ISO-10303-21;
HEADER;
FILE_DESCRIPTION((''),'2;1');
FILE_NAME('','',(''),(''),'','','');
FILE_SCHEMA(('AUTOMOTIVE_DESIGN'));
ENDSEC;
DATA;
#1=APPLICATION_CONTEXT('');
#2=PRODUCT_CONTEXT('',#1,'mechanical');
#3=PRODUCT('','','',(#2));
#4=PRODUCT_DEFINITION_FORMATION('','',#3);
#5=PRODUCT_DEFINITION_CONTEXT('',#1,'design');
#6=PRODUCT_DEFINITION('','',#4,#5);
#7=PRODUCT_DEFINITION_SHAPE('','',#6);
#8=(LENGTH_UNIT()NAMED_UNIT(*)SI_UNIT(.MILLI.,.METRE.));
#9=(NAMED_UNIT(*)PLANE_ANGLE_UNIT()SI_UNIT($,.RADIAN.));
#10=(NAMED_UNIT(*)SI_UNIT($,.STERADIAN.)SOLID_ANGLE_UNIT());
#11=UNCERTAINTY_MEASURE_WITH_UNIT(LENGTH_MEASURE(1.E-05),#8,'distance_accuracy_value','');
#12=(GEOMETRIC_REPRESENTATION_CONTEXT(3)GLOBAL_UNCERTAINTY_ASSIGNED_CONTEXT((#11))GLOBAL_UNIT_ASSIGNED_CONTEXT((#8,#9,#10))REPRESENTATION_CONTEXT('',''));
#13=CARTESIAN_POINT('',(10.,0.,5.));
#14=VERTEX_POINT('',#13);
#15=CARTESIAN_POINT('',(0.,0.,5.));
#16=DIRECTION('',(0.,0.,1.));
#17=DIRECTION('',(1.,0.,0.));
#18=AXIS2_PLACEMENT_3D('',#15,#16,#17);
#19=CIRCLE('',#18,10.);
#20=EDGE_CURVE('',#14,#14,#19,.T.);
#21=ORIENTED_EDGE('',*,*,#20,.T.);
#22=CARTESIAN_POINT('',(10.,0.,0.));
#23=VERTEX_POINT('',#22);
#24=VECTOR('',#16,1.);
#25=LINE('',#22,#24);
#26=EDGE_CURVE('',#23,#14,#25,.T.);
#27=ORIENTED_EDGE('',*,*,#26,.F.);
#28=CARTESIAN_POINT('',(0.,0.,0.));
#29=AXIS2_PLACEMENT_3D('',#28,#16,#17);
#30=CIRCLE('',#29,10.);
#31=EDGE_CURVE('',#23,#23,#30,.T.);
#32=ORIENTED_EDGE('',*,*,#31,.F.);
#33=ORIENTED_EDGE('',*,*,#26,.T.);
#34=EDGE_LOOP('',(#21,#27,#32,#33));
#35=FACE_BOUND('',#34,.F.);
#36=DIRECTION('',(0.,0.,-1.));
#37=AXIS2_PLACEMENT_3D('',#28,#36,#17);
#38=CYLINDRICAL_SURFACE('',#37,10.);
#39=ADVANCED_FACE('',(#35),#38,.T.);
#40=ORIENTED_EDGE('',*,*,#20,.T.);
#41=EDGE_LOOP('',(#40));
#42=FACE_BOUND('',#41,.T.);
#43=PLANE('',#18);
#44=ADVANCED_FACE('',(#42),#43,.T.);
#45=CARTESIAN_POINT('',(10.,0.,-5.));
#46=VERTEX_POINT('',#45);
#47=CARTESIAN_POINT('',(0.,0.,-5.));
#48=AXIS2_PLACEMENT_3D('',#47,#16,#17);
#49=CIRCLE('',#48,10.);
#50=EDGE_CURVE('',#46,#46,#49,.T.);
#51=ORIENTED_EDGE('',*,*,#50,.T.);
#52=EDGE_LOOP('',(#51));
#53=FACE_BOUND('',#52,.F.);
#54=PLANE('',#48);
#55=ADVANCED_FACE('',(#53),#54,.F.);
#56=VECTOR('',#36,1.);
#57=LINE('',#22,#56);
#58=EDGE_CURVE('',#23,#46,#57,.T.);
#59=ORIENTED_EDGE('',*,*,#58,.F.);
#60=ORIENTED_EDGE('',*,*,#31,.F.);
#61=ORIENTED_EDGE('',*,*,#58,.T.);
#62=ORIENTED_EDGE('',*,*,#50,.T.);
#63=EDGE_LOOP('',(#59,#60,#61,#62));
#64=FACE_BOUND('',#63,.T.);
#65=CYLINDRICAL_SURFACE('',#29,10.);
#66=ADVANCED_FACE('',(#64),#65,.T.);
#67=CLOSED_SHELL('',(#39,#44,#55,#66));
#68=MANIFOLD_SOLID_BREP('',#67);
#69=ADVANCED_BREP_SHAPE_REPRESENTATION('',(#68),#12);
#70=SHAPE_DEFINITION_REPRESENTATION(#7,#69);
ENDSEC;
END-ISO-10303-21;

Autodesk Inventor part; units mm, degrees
ref_plane "YZ Plane" through (0, 0, 0) normal (1, 0, 0) x (0, 1, 0)
ref_plane "XZ Plane" through (0, 0, 0) normal (0, 1, 0) x (-1, 0, 0)
ref_plane "XY Plane" through (0, 0, 0) normal (0, 0, 1) x (1, 0, 0)
sketch "Sketch1" plane through (0, 0, 0) normal (0, 0, 1) x (1, 0, 0)
  circle A0 centre (0, 0) radius 10
  dimension "d2" = 20
extrude "Extrusion1" add sketch "Sketch1" along normal mid plane 10
properties part number "pinion"
